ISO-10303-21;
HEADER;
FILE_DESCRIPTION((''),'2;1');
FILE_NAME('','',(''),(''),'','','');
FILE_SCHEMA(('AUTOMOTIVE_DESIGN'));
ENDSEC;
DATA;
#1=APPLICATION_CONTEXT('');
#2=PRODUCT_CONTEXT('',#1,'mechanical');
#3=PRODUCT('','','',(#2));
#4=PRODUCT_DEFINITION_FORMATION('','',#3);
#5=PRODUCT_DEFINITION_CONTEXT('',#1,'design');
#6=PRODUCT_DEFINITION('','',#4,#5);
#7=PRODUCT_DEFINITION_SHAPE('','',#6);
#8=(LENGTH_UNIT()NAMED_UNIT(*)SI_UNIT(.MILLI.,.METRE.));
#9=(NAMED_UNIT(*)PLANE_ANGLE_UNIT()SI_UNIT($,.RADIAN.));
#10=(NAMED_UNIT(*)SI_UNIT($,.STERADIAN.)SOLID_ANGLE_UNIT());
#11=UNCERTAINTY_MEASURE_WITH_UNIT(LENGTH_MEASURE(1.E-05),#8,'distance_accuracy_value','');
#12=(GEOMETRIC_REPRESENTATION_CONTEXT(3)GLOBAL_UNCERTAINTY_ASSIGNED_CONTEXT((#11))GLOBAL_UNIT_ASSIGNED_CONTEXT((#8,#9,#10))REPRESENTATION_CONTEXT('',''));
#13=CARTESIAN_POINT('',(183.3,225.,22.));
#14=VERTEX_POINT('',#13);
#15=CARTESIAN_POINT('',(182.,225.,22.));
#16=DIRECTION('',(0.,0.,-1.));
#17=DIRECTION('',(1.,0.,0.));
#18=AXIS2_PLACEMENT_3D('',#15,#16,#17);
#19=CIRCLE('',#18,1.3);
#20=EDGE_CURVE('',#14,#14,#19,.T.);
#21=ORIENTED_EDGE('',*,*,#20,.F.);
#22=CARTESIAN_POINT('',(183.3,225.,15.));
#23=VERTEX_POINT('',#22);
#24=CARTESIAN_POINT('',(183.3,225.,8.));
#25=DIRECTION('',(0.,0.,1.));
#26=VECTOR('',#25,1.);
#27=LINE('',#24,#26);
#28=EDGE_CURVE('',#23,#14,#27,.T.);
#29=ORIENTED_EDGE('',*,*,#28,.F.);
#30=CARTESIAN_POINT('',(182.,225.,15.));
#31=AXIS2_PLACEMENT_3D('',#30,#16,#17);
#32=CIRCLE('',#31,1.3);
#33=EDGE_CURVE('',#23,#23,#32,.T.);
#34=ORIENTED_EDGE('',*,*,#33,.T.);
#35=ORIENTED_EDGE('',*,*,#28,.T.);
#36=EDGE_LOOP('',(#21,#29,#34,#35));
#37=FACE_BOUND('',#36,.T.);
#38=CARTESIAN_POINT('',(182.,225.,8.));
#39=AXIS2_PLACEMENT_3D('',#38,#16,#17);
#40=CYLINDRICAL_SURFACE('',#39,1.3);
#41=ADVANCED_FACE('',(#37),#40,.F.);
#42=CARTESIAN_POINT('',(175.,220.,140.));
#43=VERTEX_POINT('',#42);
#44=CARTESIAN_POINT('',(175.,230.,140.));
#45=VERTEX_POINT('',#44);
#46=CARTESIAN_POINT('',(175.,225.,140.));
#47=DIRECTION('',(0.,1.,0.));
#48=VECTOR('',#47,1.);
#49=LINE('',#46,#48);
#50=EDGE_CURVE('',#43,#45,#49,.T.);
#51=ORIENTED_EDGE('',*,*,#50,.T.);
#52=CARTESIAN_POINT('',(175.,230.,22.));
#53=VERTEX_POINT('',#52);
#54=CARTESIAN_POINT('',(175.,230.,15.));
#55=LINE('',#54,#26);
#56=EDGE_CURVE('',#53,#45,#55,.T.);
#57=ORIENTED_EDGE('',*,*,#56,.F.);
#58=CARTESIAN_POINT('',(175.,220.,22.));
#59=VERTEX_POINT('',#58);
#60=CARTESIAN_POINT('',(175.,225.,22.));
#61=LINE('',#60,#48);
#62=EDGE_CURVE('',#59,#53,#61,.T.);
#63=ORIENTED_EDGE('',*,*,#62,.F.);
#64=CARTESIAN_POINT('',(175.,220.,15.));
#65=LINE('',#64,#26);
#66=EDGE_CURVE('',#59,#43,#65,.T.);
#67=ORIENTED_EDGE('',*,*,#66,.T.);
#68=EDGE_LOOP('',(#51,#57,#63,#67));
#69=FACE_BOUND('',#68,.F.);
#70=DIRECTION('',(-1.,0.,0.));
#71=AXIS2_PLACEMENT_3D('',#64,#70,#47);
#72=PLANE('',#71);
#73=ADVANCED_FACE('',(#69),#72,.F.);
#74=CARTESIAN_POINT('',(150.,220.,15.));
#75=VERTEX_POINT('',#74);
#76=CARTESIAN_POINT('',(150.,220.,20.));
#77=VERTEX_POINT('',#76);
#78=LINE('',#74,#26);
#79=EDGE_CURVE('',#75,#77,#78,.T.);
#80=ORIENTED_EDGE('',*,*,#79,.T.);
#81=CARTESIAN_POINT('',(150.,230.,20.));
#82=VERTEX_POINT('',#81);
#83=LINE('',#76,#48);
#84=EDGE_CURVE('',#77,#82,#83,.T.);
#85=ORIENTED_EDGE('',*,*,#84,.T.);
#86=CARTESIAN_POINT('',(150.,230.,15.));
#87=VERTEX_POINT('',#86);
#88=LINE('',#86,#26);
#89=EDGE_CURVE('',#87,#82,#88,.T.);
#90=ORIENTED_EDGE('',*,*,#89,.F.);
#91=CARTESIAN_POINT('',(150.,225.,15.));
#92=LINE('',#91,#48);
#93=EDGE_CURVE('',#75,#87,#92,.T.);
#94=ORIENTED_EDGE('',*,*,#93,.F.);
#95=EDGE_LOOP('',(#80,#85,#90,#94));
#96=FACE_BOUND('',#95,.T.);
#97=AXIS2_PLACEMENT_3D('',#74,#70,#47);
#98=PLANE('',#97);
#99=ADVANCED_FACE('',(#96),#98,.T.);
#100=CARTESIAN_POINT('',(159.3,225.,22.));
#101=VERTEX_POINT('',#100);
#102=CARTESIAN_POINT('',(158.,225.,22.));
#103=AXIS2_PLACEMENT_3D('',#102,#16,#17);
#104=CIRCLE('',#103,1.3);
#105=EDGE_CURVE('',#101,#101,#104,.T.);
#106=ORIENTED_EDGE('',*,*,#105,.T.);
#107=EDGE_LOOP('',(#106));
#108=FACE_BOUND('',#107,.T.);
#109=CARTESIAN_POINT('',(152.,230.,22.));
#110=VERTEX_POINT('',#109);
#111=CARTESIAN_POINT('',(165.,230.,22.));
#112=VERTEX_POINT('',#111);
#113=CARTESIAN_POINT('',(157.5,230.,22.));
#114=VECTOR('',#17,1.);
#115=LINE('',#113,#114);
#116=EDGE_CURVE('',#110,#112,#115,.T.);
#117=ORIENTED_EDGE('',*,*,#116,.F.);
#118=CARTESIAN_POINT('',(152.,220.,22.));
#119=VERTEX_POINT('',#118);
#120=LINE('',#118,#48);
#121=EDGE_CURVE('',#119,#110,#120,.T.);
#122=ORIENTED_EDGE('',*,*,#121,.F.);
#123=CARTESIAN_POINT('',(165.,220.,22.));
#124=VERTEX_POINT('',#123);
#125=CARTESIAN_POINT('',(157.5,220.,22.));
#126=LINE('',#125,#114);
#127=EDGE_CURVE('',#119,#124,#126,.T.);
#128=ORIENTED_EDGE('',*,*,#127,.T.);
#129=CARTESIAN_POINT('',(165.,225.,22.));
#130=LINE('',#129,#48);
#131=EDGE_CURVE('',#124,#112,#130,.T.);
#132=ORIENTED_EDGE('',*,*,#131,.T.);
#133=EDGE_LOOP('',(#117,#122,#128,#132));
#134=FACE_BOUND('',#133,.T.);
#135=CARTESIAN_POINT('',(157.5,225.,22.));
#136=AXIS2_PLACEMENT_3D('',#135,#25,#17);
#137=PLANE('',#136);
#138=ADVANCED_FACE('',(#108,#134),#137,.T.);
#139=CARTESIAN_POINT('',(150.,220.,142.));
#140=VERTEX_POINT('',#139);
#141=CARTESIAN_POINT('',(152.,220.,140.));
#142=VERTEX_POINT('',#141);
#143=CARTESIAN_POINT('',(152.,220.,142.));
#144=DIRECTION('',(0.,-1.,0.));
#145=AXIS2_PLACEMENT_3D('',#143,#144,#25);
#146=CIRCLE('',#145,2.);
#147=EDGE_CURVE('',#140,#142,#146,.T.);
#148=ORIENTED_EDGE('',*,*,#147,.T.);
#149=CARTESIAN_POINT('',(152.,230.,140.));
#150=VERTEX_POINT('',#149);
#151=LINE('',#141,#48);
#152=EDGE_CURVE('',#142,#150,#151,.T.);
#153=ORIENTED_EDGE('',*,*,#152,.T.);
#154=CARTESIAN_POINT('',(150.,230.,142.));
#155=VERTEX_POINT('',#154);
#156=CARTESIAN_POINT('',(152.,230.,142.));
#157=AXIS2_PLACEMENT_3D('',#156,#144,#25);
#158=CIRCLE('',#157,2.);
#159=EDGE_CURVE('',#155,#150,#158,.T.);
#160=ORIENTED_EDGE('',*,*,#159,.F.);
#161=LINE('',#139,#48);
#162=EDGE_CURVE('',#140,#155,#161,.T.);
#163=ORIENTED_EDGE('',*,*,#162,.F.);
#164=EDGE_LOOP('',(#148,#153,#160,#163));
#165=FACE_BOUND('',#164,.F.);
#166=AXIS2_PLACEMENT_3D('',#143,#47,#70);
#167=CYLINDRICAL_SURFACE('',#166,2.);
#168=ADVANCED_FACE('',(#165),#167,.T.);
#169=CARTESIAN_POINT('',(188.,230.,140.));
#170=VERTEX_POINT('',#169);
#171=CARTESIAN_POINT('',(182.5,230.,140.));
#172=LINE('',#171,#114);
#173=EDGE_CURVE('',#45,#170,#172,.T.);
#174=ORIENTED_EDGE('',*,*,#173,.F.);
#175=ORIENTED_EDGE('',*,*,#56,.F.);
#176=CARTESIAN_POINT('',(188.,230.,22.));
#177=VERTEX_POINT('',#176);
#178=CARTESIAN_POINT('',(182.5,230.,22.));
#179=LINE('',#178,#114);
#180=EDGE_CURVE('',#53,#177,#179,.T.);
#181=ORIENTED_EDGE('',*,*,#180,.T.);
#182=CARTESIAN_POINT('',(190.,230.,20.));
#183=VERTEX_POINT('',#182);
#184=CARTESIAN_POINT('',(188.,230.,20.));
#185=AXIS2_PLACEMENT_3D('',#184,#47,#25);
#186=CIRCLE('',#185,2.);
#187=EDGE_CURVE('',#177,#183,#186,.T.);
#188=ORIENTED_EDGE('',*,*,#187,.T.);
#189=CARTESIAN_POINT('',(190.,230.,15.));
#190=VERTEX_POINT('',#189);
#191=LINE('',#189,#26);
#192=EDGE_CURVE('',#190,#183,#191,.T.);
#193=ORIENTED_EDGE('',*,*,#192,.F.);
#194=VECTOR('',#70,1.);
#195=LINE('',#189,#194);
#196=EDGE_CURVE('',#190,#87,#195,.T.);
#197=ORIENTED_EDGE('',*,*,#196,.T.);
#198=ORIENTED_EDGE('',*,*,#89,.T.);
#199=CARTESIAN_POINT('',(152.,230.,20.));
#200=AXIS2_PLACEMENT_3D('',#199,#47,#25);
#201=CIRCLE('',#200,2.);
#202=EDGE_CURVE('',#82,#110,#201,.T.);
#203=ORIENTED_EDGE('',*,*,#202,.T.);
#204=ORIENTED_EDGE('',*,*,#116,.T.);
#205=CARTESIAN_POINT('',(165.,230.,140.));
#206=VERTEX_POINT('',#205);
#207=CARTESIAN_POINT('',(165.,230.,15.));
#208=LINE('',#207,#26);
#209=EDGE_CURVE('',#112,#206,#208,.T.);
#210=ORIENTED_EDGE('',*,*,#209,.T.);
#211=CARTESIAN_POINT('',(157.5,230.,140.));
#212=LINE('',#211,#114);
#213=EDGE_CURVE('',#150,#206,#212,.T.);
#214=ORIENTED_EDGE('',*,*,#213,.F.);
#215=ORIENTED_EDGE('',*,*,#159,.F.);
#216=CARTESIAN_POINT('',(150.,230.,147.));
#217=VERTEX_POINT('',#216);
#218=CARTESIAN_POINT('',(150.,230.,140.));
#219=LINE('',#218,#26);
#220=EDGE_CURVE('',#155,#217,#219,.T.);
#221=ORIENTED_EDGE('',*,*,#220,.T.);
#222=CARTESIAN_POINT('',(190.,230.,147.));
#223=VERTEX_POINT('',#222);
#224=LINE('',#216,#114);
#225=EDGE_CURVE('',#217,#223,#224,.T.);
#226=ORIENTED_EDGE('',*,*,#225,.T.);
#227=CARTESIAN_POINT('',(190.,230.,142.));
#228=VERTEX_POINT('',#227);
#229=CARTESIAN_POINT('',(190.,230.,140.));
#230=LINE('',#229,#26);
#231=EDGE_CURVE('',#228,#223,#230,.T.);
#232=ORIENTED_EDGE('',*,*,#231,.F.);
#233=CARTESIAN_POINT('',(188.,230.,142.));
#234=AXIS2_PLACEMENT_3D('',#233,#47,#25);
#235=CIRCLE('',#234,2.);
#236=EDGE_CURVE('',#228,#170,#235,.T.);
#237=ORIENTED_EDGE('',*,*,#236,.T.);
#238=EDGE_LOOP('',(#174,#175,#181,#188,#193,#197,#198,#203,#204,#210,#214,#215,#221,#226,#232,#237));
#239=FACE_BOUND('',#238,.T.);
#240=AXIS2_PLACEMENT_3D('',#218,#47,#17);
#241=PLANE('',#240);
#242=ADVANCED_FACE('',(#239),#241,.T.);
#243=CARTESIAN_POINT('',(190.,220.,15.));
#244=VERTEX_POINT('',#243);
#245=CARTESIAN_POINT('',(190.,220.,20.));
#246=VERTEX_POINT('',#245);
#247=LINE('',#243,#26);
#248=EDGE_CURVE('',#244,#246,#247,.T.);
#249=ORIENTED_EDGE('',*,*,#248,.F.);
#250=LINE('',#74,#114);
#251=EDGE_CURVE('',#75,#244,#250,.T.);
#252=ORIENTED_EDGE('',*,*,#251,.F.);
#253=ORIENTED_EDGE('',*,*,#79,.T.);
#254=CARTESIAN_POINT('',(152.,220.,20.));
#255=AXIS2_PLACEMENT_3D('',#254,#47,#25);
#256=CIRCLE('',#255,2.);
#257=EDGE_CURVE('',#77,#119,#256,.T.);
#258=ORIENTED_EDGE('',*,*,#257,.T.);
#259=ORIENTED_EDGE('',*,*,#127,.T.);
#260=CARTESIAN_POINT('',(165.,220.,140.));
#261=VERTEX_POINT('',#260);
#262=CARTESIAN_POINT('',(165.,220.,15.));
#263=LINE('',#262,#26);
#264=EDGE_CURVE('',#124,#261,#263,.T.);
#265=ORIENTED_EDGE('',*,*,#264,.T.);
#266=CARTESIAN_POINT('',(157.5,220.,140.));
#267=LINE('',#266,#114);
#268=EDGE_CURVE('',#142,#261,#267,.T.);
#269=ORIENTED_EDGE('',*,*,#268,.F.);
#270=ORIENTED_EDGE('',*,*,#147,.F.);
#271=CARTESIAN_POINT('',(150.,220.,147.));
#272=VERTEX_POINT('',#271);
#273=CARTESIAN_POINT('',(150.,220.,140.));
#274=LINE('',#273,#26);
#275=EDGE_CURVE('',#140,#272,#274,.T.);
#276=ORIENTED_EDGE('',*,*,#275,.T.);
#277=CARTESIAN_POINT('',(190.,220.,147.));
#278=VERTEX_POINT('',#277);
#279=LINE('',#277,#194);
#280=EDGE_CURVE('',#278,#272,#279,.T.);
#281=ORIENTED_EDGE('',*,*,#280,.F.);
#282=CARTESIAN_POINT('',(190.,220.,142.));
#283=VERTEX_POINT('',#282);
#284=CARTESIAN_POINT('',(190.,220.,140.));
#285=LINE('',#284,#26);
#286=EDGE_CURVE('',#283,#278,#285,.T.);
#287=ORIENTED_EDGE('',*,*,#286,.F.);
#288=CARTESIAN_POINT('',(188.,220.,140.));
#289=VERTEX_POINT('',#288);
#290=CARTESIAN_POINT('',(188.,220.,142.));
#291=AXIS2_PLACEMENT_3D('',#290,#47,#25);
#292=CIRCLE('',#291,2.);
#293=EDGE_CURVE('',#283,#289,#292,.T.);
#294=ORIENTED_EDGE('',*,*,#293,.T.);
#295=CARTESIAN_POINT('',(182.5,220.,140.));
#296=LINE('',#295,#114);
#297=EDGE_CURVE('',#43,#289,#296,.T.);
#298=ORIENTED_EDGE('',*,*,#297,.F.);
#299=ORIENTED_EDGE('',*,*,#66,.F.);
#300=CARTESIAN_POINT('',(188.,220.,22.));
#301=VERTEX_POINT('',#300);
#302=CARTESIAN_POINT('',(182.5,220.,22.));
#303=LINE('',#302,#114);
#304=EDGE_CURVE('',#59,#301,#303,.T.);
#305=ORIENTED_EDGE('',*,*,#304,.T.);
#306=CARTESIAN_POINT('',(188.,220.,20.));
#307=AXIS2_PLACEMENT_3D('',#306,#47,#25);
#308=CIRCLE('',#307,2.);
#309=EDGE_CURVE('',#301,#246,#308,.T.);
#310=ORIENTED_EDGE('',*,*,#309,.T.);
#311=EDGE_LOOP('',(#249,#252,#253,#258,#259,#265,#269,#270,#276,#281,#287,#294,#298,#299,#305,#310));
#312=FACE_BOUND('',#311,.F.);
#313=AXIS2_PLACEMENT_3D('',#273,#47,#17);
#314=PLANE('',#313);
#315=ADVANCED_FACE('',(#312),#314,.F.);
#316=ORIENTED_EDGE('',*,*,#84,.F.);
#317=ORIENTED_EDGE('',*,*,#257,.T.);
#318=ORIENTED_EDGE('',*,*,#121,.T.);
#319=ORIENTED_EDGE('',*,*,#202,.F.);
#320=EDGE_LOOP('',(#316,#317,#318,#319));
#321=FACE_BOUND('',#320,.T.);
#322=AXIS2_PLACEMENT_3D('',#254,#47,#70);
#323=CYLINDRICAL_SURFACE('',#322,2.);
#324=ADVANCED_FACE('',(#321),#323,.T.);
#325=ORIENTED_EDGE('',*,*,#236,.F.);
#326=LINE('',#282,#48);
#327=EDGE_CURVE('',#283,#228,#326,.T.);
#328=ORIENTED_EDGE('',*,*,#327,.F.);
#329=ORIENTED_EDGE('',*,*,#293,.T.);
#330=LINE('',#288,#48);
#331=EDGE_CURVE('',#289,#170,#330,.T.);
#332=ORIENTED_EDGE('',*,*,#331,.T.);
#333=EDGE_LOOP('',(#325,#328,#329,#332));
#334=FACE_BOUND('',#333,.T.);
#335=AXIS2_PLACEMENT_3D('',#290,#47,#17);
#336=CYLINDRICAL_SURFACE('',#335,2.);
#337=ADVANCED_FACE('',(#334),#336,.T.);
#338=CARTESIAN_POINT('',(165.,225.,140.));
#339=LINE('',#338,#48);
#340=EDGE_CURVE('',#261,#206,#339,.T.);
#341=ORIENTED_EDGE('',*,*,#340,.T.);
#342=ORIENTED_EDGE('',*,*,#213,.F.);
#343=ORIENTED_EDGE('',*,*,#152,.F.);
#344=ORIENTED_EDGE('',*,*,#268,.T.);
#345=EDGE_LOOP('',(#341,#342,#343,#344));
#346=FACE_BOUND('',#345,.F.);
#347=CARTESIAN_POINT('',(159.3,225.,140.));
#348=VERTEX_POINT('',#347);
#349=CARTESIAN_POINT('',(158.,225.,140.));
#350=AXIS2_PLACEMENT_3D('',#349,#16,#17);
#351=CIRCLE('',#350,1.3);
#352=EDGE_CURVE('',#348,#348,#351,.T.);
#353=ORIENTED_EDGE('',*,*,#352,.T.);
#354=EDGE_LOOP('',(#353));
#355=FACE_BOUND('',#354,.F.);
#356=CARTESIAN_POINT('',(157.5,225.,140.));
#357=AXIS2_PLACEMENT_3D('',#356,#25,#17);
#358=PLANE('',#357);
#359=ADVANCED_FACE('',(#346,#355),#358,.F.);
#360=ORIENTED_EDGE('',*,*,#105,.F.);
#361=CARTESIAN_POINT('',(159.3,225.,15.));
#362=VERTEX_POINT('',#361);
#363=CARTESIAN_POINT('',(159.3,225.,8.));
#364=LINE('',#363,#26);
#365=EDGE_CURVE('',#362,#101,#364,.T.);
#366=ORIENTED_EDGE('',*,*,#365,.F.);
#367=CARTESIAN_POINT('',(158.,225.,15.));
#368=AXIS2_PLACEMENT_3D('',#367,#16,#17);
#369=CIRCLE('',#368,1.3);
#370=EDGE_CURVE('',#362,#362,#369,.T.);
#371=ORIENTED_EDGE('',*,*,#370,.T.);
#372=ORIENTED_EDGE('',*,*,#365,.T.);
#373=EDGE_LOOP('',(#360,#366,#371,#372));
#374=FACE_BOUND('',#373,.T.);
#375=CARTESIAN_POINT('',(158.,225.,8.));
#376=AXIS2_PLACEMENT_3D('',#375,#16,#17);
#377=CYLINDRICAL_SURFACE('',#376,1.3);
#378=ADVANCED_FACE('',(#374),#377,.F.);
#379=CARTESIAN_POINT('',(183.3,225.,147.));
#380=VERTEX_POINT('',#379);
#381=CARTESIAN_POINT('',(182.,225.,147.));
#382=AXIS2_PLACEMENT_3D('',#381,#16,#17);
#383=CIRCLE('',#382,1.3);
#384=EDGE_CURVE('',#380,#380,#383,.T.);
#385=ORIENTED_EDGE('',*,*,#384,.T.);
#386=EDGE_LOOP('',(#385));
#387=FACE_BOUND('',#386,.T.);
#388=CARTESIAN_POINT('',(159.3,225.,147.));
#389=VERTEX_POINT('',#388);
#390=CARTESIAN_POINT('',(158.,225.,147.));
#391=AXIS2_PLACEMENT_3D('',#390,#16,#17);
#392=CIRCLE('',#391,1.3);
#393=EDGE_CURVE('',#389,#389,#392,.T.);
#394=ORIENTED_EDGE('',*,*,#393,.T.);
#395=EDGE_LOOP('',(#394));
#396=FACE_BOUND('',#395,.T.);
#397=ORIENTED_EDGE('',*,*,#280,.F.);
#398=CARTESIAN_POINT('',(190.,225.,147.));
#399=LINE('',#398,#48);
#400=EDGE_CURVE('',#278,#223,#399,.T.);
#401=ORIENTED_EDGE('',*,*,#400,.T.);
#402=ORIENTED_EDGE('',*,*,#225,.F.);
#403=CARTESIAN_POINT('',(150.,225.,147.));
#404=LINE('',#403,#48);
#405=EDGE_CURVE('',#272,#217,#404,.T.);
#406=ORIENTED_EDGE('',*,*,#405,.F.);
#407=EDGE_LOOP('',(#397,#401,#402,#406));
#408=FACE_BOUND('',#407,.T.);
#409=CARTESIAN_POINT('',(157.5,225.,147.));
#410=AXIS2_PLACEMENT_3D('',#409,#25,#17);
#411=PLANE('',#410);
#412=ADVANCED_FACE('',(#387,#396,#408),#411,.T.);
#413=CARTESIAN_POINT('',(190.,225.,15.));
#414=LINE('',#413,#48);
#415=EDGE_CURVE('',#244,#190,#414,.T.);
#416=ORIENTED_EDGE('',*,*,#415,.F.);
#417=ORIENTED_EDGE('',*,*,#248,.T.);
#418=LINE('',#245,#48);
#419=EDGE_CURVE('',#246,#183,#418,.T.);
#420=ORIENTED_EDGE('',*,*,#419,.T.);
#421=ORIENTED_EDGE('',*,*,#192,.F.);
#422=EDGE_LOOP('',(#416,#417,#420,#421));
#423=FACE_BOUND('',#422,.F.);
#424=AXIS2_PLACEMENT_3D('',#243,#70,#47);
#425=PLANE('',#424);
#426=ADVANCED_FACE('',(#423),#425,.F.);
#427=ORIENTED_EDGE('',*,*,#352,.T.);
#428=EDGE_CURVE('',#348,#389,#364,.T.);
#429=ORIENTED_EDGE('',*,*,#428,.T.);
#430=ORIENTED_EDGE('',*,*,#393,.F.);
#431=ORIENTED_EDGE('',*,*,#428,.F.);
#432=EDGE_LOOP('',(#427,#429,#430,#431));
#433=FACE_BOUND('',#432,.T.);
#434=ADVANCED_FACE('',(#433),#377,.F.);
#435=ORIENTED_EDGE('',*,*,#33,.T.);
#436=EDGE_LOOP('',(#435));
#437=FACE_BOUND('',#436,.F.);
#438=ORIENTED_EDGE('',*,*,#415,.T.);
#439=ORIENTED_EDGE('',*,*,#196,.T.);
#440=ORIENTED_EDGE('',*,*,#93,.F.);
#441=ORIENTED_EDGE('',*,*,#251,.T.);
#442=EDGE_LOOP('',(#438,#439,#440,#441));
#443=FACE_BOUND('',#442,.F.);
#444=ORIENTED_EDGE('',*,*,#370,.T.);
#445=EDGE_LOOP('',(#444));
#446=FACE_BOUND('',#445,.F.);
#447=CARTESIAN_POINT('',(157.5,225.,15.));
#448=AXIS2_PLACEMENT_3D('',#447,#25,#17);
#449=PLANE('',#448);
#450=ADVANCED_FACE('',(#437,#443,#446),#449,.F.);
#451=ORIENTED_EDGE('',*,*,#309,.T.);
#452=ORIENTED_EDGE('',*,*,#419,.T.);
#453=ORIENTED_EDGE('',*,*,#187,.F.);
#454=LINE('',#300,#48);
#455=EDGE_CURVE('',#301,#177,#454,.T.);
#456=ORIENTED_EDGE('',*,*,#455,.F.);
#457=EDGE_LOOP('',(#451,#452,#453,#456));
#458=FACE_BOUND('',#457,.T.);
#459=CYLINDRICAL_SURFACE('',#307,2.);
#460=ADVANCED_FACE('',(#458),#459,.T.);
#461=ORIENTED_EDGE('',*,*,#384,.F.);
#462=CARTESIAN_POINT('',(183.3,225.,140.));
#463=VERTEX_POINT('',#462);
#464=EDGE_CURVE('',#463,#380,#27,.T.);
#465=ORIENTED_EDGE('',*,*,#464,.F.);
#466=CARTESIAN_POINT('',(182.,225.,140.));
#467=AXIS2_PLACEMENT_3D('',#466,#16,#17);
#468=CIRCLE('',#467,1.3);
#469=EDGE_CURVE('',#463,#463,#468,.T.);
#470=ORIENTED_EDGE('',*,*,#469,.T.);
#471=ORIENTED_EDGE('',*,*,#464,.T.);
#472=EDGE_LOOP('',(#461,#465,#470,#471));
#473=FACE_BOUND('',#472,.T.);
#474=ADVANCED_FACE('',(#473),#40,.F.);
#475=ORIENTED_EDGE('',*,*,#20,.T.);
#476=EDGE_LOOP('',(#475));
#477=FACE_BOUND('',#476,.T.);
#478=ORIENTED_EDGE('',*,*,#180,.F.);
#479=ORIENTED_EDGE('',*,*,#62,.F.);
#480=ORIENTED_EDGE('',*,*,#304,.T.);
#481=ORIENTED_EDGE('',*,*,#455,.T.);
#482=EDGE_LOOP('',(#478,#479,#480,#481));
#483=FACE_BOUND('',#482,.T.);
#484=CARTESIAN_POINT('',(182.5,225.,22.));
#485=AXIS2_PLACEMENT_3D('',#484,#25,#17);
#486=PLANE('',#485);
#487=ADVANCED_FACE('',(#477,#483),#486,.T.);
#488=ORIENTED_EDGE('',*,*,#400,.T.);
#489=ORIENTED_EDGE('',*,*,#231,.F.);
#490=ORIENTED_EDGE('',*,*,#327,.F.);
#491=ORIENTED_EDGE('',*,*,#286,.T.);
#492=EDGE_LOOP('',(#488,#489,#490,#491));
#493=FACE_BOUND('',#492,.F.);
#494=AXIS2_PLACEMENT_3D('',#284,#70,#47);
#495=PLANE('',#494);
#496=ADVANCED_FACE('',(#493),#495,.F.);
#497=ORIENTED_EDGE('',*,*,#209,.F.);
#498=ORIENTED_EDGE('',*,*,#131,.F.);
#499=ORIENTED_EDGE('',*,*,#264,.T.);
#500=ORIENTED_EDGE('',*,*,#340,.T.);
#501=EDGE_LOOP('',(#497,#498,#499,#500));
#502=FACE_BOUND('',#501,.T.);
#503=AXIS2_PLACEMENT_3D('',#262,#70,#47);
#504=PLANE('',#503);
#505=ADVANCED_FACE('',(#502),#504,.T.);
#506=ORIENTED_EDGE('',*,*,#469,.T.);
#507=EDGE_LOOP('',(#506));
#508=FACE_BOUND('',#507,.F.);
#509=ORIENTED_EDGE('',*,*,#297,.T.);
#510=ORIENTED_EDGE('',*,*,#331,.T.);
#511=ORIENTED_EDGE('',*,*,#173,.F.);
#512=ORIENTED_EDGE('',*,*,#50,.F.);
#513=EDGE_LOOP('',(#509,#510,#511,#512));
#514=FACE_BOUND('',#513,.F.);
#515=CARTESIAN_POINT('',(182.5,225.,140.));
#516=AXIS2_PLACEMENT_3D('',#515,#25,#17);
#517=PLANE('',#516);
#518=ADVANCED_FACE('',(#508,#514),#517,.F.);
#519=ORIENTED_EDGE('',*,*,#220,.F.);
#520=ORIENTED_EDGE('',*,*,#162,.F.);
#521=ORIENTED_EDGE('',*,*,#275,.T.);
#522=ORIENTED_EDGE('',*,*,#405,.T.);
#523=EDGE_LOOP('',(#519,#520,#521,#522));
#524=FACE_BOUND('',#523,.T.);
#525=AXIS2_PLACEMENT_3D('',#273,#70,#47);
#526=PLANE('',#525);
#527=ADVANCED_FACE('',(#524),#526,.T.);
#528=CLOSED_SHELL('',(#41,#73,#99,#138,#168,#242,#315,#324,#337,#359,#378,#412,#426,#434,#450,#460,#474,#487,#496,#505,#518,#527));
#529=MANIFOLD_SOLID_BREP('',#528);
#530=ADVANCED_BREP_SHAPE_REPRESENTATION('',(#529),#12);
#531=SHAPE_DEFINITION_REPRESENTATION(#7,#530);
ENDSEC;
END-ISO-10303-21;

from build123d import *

# Parameters (mm, degrees)
CYLINDER024_R     = 1.3
CYLINDER024_DEPTH = 146
CYLINDER023_R     = 1.3
CYLINDER023_DEPTH = 146
BOX089_W          = 15
BOX089_H          = 10
BOX089_DEPTH      = 7
BOX090_W          = 10
BOX090_H          = 10
BOX090_DEPTH      = 132
BOX091_W          = 15
BOX091_H          = 10
BOX091_DEPTH      = 7
BOX088_W          = 15
BOX088_H          = 10
BOX088_DEPTH      = 7
BOX087_W          = 15
BOX087_H          = 10
BOX087_DEPTH      = 7
FILLET005_R       = 2


with BuildPart() as cilindro024:
    # Cylinder024 → Cylinder024 (new body)
    with BuildSketch(Plane(origin=(182, 5, 8), x_dir=(1, 0, 0), z_dir=(0, 0, 1))):
        Circle(CYLINDER024_R)
    extrude(amount=CYLINDER024_DEPTH)


with BuildPart() as cilindro023:
    # Cylinder023 → Cylinder023 (new body)
    with BuildSketch(Plane(origin=(158, 5, 8), x_dir=(1, 0, 0), z_dir=(0, 0, 1))):
        Circle(CYLINDER023_R)
    extrude(amount=CYLINDER023_DEPTH)


with BuildPart() as cubo052:
    # Box089 → Box089 (new body)
    with BuildSketch(Plane(origin=(175, 0, 15), x_dir=(1, 0, 0), z_dir=(0, 0, 1))):
        with Locations((7.5, 5)):
            Rectangle(BOX089_W, BOX089_H)
    extrude(amount=BOX089_DEPTH)


with BuildPart() as cubo053:
    # Box090 → Box090 (new body)
    with BuildSketch(Plane(origin=(165, 0, 15), x_dir=(1, 0, 0), z_dir=(0, 0, 1))):
        with Locations((5, 5)):
            Rectangle(BOX090_W, BOX090_H)
    extrude(amount=BOX090_DEPTH)


with BuildPart() as cubo054:
    # Box091 → Box091 (new body)
    with BuildSketch(Plane(origin=(150, 0, 15), x_dir=(1, 0, 0), z_dir=(0, 0, 1))):
        with Locations((7.5, 5)):
            Rectangle(BOX091_W, BOX091_H)
    extrude(amount=BOX091_DEPTH)


with BuildPart() as cubo051:
    # Box088 → Box088 (new body)
    with BuildSketch(Plane(origin=(150, 0, 140), x_dir=(1, 0, 0), z_dir=(0, 0, 1))):
        with Locations((7.5, 5)):
            Rectangle(BOX088_W, BOX088_H)
    extrude(amount=BOX088_DEPTH)


with BuildPart() as pilar006:
    # Box087 → Box087 (new body)
    with BuildSketch(Plane(origin=(175, 0, 140), x_dir=(1, 0, 0), z_dir=(0, 0, 1))):
        with Locations((7.5, 5)):
            Rectangle(BOX087_W, BOX087_H)
    extrude(amount=BOX087_DEPTH)

    # Fusion013: union Cubo052, Cubo053, Cubo054, Cubo051
    add(cubo052.part)
    add(cubo053.part)
    add(cubo054.part)
    add(cubo051.part)

    # Fillet005
    fillet005_edges = [pilar006.edges().sort_by_distance(p)[0] for p in [
        (190, 5, 140),
        (190, 5, 22),
        (150, 5, 22),
        (150, 5, 140),
    ]]
    fillet(fillet005_edges, radius=FILLET005_R)

    # Cut038: cut Cilindro023
    add(cilindro023.part, mode=Mode.SUBTRACT)

    # Cut037: cut Cilindro024
    add(cilindro024.part, mode=Mode.SUBTRACT)


with BuildPart() as pilar006_1:
    # Cut037 placement: moved
    add(pilar006.part.moved(Location((0, 220, 0))))


solid = pilar006_1.part
